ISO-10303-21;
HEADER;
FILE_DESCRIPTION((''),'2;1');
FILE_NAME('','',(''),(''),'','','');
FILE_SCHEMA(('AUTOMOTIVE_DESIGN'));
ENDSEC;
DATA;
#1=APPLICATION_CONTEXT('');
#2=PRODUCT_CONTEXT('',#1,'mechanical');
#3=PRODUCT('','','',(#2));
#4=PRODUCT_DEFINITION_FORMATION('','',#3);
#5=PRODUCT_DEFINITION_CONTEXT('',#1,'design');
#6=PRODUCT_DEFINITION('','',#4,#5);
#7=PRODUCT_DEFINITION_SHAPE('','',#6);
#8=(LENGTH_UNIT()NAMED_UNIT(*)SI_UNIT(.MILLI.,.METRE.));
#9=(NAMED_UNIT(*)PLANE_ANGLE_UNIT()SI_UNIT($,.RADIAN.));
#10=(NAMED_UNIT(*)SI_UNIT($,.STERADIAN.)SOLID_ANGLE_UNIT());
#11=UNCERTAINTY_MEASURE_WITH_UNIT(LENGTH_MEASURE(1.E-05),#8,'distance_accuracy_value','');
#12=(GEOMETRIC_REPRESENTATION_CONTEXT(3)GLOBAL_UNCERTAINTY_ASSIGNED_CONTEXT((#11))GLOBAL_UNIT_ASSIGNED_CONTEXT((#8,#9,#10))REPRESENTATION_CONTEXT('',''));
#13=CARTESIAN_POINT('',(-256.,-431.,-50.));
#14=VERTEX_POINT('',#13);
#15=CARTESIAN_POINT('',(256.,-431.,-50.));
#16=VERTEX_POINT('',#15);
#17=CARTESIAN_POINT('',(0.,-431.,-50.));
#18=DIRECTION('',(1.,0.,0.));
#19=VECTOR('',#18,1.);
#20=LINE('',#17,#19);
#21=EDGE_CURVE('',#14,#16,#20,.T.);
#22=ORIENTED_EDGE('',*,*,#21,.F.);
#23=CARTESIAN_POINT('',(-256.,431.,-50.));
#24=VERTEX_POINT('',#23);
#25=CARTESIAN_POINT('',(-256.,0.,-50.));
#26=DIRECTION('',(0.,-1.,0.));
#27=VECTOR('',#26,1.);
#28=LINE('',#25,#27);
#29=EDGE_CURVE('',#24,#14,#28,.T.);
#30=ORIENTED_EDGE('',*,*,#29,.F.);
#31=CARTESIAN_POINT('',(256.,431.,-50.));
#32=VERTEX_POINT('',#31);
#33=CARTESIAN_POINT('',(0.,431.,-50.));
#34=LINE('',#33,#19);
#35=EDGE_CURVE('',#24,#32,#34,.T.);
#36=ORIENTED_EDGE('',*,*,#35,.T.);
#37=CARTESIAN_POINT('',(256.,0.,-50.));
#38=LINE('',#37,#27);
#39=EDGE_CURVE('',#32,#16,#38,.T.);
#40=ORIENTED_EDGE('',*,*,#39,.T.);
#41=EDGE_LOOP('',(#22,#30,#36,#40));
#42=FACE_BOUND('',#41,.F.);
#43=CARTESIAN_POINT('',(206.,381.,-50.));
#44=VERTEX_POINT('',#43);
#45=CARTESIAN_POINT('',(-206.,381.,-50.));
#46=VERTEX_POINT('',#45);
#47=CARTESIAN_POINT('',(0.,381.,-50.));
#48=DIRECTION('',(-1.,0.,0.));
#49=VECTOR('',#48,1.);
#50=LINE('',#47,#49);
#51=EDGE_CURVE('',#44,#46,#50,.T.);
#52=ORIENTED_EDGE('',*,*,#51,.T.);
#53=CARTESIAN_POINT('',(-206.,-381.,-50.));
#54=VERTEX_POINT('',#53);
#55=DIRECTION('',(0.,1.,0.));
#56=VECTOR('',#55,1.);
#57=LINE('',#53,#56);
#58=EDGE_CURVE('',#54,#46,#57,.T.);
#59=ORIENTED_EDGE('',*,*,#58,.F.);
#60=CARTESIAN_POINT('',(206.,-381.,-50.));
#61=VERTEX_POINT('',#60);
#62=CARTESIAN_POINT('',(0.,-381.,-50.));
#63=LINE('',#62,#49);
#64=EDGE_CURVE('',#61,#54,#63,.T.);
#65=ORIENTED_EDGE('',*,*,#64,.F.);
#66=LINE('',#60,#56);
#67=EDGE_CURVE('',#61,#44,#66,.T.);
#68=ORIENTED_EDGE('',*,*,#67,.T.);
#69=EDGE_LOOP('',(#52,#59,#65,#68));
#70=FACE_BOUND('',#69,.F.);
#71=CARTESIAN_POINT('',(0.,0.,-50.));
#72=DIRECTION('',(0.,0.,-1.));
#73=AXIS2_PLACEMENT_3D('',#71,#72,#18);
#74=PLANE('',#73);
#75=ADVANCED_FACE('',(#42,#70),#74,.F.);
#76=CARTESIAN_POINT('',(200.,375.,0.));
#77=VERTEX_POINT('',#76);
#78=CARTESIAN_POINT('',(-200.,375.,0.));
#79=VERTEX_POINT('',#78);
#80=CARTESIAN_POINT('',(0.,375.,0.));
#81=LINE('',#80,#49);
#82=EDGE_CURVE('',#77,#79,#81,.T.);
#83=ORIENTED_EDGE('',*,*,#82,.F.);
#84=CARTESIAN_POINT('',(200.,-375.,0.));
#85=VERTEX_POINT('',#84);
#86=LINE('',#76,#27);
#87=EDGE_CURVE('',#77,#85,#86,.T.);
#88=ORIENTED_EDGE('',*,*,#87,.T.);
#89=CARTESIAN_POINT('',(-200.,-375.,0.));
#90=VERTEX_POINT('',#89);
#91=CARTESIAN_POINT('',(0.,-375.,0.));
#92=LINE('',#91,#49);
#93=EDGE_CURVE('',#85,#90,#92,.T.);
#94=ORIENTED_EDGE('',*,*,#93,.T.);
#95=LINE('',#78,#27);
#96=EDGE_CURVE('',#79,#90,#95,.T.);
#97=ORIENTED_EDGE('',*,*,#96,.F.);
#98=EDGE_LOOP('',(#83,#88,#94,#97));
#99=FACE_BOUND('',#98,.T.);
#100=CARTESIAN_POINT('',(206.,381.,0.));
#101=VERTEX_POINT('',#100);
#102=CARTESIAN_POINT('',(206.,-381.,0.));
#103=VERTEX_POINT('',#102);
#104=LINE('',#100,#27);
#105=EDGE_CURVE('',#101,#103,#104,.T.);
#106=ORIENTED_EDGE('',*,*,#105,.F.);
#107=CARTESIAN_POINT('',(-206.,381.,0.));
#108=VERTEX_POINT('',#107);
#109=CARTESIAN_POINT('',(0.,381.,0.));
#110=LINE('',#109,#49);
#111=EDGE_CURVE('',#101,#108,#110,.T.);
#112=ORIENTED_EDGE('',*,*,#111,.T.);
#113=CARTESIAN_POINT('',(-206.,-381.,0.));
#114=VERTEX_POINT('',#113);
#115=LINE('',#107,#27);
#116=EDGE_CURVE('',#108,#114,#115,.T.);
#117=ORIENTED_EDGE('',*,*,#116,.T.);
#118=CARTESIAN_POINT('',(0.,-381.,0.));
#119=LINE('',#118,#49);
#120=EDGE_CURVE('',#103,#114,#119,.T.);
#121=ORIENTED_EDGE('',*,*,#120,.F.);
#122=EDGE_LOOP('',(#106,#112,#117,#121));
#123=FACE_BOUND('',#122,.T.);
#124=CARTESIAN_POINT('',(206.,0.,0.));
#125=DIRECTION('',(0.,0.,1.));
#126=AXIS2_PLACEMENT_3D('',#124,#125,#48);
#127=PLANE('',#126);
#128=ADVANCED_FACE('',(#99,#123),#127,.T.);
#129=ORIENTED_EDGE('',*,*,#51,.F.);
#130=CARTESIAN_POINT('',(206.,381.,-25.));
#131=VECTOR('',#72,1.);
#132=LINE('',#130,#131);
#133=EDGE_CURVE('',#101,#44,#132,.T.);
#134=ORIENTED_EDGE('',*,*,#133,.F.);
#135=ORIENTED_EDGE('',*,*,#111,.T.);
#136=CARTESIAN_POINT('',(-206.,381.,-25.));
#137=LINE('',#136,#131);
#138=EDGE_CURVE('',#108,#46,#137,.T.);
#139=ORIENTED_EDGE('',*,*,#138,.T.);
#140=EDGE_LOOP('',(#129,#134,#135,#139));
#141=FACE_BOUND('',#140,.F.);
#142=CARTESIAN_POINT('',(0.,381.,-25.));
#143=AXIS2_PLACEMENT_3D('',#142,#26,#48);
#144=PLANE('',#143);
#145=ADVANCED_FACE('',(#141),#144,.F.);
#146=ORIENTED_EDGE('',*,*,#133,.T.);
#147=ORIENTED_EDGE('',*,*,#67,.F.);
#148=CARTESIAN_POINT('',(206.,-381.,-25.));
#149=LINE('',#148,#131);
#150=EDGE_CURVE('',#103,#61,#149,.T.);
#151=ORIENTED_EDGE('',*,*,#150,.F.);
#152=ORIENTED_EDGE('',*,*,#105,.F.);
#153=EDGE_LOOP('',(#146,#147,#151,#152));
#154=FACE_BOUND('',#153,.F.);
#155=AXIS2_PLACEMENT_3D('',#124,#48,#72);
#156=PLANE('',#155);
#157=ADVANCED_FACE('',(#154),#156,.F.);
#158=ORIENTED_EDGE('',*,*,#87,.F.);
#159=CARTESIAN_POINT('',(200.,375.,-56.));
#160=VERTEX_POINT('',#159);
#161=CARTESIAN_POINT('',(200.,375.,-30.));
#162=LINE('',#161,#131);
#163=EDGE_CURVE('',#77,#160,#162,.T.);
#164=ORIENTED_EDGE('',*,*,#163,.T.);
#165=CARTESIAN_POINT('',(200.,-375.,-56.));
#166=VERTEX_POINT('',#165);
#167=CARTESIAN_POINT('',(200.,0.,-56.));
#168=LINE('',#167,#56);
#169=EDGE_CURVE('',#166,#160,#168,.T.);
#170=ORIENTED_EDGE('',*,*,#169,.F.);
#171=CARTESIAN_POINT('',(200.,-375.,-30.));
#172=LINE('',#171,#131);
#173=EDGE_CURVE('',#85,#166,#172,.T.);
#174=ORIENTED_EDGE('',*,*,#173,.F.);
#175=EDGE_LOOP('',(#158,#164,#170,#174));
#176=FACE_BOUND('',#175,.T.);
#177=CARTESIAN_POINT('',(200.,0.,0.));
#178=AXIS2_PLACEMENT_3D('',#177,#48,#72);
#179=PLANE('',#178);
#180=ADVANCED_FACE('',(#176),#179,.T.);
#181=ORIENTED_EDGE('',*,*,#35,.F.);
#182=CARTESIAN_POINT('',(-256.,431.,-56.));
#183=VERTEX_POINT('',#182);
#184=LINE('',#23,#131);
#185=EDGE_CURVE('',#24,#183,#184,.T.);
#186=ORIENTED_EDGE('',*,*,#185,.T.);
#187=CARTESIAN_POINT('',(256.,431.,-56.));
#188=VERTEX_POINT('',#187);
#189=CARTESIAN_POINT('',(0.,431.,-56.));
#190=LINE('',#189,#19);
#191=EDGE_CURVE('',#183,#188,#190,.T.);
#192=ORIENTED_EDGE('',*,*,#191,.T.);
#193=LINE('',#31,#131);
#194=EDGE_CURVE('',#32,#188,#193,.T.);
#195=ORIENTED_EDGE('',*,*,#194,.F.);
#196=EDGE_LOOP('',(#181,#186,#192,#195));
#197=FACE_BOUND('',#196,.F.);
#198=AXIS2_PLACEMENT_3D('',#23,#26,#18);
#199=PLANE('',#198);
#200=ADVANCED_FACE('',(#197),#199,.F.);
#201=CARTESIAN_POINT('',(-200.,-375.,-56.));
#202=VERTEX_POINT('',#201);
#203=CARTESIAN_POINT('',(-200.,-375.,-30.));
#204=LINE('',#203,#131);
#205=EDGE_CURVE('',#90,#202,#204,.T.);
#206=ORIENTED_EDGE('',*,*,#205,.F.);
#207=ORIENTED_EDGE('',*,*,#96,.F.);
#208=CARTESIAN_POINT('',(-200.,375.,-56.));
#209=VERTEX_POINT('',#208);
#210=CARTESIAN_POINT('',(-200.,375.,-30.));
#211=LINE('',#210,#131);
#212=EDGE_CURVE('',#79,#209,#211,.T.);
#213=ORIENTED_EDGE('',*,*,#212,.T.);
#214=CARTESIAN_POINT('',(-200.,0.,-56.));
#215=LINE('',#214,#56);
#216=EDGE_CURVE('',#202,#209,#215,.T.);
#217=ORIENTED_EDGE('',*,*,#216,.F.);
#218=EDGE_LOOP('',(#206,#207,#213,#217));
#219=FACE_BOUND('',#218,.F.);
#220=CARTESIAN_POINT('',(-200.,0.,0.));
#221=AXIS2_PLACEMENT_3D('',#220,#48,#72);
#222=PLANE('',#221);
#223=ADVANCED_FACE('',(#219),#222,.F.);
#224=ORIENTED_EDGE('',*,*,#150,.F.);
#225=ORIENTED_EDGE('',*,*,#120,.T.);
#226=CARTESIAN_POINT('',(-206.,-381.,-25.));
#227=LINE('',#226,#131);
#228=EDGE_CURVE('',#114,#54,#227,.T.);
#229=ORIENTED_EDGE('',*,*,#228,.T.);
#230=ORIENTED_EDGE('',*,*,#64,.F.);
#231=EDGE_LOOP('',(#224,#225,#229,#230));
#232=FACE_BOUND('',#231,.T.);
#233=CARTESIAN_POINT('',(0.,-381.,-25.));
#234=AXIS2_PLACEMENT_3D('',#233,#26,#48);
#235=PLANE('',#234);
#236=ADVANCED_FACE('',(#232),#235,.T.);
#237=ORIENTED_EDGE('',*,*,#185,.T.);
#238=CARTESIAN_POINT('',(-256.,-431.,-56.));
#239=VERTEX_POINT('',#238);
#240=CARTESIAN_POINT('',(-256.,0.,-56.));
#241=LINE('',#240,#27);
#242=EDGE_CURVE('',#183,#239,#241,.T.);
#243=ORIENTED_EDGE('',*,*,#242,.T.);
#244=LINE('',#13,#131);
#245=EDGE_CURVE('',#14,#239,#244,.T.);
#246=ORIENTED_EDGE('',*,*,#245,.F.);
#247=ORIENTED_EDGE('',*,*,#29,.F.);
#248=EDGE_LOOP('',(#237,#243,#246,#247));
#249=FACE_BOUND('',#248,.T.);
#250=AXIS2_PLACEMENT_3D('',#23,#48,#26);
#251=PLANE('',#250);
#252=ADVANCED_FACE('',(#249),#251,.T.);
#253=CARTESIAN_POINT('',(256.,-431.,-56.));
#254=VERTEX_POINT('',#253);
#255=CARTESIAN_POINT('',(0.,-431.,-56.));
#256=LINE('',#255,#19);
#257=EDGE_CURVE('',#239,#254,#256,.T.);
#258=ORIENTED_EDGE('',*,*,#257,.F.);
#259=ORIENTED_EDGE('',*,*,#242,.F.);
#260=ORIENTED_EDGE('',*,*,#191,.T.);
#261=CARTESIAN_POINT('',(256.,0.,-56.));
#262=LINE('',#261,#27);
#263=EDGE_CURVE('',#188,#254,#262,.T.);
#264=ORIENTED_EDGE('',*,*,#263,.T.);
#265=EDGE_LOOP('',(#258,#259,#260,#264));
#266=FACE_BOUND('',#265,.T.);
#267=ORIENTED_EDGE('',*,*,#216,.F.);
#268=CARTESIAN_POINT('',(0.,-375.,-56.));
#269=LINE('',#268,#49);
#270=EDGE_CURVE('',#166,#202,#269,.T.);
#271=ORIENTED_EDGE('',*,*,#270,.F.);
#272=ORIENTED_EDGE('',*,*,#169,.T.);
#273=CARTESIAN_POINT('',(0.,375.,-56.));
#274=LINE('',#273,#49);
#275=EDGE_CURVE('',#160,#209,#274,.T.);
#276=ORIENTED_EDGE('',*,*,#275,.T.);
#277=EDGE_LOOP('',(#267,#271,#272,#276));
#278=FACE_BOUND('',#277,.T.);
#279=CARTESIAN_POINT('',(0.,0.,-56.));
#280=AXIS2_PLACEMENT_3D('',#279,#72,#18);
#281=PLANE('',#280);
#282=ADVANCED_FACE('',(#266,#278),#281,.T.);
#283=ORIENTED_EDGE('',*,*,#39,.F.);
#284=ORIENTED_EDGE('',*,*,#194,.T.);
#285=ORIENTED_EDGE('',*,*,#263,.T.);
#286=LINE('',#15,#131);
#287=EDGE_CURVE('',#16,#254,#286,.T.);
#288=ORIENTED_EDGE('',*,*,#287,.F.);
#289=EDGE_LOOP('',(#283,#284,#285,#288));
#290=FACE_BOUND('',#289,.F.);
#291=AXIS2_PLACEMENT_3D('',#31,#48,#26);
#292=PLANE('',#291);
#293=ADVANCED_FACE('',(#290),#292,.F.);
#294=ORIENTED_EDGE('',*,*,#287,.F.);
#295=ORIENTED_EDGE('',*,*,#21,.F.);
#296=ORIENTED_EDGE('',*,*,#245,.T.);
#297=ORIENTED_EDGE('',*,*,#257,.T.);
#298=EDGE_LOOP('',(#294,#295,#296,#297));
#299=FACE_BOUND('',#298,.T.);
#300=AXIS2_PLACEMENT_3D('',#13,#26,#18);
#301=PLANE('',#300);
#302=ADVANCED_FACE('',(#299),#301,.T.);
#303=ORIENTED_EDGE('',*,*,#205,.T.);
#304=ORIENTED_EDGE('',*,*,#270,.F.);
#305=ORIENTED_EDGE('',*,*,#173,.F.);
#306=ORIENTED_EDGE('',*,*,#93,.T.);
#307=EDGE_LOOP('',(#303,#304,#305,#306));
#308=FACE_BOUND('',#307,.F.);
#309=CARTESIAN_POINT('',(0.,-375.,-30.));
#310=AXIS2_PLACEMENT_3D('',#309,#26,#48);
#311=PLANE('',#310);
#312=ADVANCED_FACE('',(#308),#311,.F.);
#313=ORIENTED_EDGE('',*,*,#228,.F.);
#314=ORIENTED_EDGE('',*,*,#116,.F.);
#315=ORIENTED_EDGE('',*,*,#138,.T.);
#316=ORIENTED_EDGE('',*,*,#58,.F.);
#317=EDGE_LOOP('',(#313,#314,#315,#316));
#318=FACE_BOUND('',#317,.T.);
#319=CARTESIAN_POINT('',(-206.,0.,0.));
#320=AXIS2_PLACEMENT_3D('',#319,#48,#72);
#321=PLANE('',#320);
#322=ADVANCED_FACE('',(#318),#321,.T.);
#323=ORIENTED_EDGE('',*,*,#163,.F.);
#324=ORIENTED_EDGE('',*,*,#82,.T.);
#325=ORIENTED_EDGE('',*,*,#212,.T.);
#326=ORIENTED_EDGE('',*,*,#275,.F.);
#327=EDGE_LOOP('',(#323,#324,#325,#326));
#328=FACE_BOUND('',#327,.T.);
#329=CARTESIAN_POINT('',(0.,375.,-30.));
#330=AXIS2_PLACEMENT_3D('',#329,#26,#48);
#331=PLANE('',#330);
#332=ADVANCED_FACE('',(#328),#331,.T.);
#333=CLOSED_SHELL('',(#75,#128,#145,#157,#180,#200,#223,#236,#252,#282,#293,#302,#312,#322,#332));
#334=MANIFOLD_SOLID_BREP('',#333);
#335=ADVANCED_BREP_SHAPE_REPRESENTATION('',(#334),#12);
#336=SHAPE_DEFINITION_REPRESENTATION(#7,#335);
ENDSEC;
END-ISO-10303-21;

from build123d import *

# Parameters (mm, degrees)
SKETCH054_W            = 400
SKETCH054_H            = 60
PAD003_DEPTH           = 375
SKETCH004_W            = 412
SKETCH004_H            = 50
PAD004_DEPTH           = 381
SKETCH055_W            = 512
SKETCH055_H            = 862
PAD005_DEPTH           = 6
CUT001_PLACEMENT_ANGLE = 180


with BuildPart() as body002:
    # Sketch054 → Pad003 (new body, symmetric)
    with BuildSketch(Plane.XZ):
        with Locations((0, 30)):
            Rectangle(SKETCH054_W, SKETCH054_H)
    extrude(amount=PAD003_DEPTH, both=True)


with BuildPart() as cut001:
    # Sketch004 → Pad004 (new body, symmetric)
    with BuildSketch(Plane.XZ):
        with Locations((0, 25)):
            Rectangle(SKETCH004_W, SKETCH004_H)
    extrude(amount=PAD004_DEPTH, both=True)

    # Sketch055 (on Face3 of Pad004) → Pad005 (join)
    with BuildSketch(Plane(origin=(0, 0, 50), x_dir=(-1, 0, 0), z_dir=(0, 0, 1))):
        Rectangle(SKETCH055_W, SKETCH055_H)
    extrude(amount=PAD005_DEPTH)

    # Cut001: cut Body002
    add(body002.part, mode=Mode.SUBTRACT)


with BuildPart() as cut001_1:
    # Cut001 placement: moved
    add(cut001.part.rotate(Axis((0, 0, 0), (0, 1, 0)), CUT001_PLACEMENT_ANGLE))


solid = cut001_1.part
